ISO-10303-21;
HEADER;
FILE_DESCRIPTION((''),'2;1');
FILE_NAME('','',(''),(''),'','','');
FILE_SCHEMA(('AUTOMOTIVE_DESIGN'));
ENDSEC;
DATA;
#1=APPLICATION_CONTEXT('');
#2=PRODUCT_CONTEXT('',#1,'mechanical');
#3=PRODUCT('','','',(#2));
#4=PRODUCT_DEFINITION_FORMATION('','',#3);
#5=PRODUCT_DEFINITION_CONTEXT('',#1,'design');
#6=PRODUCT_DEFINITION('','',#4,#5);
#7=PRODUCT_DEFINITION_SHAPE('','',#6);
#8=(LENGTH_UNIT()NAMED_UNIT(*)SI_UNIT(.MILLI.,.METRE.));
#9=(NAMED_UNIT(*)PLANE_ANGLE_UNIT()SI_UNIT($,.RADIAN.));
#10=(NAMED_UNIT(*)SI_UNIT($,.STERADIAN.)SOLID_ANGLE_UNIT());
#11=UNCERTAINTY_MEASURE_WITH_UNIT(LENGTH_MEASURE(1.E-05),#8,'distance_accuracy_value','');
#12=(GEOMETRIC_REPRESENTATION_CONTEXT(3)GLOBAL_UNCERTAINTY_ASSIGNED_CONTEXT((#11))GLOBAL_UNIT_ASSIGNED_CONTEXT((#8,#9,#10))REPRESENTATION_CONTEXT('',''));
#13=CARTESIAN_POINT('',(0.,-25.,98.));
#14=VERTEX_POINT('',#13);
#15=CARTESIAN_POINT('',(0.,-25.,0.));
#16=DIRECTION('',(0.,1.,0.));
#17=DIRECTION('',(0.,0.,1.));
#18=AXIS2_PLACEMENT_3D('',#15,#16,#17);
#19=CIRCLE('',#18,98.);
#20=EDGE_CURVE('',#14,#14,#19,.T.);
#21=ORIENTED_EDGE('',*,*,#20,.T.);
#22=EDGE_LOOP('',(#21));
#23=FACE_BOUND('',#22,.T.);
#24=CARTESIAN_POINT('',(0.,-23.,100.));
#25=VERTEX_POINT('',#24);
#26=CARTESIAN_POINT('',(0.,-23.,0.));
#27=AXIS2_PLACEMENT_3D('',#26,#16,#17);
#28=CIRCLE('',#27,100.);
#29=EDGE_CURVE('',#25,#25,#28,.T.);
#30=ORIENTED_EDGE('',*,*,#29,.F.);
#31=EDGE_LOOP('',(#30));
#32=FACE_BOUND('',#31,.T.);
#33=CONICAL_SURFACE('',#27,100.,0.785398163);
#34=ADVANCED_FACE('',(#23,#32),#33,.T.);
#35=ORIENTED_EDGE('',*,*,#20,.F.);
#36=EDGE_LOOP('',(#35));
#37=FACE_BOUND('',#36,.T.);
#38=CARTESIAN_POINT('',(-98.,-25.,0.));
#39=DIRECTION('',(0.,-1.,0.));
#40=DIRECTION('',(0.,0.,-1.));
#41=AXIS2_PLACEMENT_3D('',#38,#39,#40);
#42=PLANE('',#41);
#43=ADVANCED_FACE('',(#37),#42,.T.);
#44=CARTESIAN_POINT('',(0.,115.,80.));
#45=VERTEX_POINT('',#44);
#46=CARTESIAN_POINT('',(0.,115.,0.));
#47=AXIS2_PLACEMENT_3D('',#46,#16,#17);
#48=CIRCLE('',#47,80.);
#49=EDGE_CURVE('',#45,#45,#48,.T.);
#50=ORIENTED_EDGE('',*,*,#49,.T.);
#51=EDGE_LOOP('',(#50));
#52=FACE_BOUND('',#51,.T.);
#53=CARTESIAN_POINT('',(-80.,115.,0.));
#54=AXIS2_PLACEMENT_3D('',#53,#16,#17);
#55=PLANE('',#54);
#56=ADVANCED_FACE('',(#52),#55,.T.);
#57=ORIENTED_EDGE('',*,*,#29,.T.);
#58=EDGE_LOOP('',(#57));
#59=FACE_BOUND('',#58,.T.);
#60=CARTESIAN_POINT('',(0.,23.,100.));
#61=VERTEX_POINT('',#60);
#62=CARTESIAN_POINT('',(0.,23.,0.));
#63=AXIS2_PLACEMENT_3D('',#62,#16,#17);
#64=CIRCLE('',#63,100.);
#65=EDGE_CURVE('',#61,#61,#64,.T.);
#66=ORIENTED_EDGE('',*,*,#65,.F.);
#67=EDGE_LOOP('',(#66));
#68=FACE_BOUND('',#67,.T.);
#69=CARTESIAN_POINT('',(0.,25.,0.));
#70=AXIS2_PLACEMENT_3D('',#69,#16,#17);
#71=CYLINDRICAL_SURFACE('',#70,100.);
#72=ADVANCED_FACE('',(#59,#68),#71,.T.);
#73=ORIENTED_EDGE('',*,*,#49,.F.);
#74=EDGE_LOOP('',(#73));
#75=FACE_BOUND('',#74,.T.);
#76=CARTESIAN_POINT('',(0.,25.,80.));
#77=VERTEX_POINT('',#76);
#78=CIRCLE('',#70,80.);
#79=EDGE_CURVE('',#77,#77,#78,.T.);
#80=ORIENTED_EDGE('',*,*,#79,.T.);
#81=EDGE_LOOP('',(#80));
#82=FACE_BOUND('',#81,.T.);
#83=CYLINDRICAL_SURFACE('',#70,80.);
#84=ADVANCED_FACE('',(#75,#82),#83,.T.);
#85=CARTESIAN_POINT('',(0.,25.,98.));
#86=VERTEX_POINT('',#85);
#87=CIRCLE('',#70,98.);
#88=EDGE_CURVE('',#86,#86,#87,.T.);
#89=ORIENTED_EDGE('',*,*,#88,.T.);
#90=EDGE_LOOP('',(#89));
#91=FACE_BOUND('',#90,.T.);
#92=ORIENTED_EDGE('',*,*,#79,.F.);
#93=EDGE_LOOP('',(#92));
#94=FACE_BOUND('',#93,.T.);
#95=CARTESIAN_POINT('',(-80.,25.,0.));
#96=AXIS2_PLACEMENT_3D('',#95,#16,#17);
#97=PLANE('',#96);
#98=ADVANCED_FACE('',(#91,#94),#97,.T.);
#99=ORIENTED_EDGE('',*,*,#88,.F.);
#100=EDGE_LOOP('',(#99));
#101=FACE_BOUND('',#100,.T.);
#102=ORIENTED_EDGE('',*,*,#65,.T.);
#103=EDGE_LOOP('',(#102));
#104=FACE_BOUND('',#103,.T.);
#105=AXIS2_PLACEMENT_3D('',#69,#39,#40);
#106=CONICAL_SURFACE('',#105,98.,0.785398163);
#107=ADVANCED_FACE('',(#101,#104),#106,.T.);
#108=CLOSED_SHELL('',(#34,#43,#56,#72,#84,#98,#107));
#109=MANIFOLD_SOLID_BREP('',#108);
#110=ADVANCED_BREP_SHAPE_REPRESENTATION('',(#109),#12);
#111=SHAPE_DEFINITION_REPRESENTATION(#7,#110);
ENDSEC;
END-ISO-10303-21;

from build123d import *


with BuildPart() as part:
    # Esquisse1 → Révolution1 (revolve)
    with BuildSketch(Plane.XY):
        Polygon((-98, 25), (-100, 23), (-100, -23), (-98, -25), (0, -25), (0, 115), (-80, 115), (-80, 25), align=None)
    revolve(axis=Axis((0, 25, 0), (0, -1, 0)))


solid = part.part
